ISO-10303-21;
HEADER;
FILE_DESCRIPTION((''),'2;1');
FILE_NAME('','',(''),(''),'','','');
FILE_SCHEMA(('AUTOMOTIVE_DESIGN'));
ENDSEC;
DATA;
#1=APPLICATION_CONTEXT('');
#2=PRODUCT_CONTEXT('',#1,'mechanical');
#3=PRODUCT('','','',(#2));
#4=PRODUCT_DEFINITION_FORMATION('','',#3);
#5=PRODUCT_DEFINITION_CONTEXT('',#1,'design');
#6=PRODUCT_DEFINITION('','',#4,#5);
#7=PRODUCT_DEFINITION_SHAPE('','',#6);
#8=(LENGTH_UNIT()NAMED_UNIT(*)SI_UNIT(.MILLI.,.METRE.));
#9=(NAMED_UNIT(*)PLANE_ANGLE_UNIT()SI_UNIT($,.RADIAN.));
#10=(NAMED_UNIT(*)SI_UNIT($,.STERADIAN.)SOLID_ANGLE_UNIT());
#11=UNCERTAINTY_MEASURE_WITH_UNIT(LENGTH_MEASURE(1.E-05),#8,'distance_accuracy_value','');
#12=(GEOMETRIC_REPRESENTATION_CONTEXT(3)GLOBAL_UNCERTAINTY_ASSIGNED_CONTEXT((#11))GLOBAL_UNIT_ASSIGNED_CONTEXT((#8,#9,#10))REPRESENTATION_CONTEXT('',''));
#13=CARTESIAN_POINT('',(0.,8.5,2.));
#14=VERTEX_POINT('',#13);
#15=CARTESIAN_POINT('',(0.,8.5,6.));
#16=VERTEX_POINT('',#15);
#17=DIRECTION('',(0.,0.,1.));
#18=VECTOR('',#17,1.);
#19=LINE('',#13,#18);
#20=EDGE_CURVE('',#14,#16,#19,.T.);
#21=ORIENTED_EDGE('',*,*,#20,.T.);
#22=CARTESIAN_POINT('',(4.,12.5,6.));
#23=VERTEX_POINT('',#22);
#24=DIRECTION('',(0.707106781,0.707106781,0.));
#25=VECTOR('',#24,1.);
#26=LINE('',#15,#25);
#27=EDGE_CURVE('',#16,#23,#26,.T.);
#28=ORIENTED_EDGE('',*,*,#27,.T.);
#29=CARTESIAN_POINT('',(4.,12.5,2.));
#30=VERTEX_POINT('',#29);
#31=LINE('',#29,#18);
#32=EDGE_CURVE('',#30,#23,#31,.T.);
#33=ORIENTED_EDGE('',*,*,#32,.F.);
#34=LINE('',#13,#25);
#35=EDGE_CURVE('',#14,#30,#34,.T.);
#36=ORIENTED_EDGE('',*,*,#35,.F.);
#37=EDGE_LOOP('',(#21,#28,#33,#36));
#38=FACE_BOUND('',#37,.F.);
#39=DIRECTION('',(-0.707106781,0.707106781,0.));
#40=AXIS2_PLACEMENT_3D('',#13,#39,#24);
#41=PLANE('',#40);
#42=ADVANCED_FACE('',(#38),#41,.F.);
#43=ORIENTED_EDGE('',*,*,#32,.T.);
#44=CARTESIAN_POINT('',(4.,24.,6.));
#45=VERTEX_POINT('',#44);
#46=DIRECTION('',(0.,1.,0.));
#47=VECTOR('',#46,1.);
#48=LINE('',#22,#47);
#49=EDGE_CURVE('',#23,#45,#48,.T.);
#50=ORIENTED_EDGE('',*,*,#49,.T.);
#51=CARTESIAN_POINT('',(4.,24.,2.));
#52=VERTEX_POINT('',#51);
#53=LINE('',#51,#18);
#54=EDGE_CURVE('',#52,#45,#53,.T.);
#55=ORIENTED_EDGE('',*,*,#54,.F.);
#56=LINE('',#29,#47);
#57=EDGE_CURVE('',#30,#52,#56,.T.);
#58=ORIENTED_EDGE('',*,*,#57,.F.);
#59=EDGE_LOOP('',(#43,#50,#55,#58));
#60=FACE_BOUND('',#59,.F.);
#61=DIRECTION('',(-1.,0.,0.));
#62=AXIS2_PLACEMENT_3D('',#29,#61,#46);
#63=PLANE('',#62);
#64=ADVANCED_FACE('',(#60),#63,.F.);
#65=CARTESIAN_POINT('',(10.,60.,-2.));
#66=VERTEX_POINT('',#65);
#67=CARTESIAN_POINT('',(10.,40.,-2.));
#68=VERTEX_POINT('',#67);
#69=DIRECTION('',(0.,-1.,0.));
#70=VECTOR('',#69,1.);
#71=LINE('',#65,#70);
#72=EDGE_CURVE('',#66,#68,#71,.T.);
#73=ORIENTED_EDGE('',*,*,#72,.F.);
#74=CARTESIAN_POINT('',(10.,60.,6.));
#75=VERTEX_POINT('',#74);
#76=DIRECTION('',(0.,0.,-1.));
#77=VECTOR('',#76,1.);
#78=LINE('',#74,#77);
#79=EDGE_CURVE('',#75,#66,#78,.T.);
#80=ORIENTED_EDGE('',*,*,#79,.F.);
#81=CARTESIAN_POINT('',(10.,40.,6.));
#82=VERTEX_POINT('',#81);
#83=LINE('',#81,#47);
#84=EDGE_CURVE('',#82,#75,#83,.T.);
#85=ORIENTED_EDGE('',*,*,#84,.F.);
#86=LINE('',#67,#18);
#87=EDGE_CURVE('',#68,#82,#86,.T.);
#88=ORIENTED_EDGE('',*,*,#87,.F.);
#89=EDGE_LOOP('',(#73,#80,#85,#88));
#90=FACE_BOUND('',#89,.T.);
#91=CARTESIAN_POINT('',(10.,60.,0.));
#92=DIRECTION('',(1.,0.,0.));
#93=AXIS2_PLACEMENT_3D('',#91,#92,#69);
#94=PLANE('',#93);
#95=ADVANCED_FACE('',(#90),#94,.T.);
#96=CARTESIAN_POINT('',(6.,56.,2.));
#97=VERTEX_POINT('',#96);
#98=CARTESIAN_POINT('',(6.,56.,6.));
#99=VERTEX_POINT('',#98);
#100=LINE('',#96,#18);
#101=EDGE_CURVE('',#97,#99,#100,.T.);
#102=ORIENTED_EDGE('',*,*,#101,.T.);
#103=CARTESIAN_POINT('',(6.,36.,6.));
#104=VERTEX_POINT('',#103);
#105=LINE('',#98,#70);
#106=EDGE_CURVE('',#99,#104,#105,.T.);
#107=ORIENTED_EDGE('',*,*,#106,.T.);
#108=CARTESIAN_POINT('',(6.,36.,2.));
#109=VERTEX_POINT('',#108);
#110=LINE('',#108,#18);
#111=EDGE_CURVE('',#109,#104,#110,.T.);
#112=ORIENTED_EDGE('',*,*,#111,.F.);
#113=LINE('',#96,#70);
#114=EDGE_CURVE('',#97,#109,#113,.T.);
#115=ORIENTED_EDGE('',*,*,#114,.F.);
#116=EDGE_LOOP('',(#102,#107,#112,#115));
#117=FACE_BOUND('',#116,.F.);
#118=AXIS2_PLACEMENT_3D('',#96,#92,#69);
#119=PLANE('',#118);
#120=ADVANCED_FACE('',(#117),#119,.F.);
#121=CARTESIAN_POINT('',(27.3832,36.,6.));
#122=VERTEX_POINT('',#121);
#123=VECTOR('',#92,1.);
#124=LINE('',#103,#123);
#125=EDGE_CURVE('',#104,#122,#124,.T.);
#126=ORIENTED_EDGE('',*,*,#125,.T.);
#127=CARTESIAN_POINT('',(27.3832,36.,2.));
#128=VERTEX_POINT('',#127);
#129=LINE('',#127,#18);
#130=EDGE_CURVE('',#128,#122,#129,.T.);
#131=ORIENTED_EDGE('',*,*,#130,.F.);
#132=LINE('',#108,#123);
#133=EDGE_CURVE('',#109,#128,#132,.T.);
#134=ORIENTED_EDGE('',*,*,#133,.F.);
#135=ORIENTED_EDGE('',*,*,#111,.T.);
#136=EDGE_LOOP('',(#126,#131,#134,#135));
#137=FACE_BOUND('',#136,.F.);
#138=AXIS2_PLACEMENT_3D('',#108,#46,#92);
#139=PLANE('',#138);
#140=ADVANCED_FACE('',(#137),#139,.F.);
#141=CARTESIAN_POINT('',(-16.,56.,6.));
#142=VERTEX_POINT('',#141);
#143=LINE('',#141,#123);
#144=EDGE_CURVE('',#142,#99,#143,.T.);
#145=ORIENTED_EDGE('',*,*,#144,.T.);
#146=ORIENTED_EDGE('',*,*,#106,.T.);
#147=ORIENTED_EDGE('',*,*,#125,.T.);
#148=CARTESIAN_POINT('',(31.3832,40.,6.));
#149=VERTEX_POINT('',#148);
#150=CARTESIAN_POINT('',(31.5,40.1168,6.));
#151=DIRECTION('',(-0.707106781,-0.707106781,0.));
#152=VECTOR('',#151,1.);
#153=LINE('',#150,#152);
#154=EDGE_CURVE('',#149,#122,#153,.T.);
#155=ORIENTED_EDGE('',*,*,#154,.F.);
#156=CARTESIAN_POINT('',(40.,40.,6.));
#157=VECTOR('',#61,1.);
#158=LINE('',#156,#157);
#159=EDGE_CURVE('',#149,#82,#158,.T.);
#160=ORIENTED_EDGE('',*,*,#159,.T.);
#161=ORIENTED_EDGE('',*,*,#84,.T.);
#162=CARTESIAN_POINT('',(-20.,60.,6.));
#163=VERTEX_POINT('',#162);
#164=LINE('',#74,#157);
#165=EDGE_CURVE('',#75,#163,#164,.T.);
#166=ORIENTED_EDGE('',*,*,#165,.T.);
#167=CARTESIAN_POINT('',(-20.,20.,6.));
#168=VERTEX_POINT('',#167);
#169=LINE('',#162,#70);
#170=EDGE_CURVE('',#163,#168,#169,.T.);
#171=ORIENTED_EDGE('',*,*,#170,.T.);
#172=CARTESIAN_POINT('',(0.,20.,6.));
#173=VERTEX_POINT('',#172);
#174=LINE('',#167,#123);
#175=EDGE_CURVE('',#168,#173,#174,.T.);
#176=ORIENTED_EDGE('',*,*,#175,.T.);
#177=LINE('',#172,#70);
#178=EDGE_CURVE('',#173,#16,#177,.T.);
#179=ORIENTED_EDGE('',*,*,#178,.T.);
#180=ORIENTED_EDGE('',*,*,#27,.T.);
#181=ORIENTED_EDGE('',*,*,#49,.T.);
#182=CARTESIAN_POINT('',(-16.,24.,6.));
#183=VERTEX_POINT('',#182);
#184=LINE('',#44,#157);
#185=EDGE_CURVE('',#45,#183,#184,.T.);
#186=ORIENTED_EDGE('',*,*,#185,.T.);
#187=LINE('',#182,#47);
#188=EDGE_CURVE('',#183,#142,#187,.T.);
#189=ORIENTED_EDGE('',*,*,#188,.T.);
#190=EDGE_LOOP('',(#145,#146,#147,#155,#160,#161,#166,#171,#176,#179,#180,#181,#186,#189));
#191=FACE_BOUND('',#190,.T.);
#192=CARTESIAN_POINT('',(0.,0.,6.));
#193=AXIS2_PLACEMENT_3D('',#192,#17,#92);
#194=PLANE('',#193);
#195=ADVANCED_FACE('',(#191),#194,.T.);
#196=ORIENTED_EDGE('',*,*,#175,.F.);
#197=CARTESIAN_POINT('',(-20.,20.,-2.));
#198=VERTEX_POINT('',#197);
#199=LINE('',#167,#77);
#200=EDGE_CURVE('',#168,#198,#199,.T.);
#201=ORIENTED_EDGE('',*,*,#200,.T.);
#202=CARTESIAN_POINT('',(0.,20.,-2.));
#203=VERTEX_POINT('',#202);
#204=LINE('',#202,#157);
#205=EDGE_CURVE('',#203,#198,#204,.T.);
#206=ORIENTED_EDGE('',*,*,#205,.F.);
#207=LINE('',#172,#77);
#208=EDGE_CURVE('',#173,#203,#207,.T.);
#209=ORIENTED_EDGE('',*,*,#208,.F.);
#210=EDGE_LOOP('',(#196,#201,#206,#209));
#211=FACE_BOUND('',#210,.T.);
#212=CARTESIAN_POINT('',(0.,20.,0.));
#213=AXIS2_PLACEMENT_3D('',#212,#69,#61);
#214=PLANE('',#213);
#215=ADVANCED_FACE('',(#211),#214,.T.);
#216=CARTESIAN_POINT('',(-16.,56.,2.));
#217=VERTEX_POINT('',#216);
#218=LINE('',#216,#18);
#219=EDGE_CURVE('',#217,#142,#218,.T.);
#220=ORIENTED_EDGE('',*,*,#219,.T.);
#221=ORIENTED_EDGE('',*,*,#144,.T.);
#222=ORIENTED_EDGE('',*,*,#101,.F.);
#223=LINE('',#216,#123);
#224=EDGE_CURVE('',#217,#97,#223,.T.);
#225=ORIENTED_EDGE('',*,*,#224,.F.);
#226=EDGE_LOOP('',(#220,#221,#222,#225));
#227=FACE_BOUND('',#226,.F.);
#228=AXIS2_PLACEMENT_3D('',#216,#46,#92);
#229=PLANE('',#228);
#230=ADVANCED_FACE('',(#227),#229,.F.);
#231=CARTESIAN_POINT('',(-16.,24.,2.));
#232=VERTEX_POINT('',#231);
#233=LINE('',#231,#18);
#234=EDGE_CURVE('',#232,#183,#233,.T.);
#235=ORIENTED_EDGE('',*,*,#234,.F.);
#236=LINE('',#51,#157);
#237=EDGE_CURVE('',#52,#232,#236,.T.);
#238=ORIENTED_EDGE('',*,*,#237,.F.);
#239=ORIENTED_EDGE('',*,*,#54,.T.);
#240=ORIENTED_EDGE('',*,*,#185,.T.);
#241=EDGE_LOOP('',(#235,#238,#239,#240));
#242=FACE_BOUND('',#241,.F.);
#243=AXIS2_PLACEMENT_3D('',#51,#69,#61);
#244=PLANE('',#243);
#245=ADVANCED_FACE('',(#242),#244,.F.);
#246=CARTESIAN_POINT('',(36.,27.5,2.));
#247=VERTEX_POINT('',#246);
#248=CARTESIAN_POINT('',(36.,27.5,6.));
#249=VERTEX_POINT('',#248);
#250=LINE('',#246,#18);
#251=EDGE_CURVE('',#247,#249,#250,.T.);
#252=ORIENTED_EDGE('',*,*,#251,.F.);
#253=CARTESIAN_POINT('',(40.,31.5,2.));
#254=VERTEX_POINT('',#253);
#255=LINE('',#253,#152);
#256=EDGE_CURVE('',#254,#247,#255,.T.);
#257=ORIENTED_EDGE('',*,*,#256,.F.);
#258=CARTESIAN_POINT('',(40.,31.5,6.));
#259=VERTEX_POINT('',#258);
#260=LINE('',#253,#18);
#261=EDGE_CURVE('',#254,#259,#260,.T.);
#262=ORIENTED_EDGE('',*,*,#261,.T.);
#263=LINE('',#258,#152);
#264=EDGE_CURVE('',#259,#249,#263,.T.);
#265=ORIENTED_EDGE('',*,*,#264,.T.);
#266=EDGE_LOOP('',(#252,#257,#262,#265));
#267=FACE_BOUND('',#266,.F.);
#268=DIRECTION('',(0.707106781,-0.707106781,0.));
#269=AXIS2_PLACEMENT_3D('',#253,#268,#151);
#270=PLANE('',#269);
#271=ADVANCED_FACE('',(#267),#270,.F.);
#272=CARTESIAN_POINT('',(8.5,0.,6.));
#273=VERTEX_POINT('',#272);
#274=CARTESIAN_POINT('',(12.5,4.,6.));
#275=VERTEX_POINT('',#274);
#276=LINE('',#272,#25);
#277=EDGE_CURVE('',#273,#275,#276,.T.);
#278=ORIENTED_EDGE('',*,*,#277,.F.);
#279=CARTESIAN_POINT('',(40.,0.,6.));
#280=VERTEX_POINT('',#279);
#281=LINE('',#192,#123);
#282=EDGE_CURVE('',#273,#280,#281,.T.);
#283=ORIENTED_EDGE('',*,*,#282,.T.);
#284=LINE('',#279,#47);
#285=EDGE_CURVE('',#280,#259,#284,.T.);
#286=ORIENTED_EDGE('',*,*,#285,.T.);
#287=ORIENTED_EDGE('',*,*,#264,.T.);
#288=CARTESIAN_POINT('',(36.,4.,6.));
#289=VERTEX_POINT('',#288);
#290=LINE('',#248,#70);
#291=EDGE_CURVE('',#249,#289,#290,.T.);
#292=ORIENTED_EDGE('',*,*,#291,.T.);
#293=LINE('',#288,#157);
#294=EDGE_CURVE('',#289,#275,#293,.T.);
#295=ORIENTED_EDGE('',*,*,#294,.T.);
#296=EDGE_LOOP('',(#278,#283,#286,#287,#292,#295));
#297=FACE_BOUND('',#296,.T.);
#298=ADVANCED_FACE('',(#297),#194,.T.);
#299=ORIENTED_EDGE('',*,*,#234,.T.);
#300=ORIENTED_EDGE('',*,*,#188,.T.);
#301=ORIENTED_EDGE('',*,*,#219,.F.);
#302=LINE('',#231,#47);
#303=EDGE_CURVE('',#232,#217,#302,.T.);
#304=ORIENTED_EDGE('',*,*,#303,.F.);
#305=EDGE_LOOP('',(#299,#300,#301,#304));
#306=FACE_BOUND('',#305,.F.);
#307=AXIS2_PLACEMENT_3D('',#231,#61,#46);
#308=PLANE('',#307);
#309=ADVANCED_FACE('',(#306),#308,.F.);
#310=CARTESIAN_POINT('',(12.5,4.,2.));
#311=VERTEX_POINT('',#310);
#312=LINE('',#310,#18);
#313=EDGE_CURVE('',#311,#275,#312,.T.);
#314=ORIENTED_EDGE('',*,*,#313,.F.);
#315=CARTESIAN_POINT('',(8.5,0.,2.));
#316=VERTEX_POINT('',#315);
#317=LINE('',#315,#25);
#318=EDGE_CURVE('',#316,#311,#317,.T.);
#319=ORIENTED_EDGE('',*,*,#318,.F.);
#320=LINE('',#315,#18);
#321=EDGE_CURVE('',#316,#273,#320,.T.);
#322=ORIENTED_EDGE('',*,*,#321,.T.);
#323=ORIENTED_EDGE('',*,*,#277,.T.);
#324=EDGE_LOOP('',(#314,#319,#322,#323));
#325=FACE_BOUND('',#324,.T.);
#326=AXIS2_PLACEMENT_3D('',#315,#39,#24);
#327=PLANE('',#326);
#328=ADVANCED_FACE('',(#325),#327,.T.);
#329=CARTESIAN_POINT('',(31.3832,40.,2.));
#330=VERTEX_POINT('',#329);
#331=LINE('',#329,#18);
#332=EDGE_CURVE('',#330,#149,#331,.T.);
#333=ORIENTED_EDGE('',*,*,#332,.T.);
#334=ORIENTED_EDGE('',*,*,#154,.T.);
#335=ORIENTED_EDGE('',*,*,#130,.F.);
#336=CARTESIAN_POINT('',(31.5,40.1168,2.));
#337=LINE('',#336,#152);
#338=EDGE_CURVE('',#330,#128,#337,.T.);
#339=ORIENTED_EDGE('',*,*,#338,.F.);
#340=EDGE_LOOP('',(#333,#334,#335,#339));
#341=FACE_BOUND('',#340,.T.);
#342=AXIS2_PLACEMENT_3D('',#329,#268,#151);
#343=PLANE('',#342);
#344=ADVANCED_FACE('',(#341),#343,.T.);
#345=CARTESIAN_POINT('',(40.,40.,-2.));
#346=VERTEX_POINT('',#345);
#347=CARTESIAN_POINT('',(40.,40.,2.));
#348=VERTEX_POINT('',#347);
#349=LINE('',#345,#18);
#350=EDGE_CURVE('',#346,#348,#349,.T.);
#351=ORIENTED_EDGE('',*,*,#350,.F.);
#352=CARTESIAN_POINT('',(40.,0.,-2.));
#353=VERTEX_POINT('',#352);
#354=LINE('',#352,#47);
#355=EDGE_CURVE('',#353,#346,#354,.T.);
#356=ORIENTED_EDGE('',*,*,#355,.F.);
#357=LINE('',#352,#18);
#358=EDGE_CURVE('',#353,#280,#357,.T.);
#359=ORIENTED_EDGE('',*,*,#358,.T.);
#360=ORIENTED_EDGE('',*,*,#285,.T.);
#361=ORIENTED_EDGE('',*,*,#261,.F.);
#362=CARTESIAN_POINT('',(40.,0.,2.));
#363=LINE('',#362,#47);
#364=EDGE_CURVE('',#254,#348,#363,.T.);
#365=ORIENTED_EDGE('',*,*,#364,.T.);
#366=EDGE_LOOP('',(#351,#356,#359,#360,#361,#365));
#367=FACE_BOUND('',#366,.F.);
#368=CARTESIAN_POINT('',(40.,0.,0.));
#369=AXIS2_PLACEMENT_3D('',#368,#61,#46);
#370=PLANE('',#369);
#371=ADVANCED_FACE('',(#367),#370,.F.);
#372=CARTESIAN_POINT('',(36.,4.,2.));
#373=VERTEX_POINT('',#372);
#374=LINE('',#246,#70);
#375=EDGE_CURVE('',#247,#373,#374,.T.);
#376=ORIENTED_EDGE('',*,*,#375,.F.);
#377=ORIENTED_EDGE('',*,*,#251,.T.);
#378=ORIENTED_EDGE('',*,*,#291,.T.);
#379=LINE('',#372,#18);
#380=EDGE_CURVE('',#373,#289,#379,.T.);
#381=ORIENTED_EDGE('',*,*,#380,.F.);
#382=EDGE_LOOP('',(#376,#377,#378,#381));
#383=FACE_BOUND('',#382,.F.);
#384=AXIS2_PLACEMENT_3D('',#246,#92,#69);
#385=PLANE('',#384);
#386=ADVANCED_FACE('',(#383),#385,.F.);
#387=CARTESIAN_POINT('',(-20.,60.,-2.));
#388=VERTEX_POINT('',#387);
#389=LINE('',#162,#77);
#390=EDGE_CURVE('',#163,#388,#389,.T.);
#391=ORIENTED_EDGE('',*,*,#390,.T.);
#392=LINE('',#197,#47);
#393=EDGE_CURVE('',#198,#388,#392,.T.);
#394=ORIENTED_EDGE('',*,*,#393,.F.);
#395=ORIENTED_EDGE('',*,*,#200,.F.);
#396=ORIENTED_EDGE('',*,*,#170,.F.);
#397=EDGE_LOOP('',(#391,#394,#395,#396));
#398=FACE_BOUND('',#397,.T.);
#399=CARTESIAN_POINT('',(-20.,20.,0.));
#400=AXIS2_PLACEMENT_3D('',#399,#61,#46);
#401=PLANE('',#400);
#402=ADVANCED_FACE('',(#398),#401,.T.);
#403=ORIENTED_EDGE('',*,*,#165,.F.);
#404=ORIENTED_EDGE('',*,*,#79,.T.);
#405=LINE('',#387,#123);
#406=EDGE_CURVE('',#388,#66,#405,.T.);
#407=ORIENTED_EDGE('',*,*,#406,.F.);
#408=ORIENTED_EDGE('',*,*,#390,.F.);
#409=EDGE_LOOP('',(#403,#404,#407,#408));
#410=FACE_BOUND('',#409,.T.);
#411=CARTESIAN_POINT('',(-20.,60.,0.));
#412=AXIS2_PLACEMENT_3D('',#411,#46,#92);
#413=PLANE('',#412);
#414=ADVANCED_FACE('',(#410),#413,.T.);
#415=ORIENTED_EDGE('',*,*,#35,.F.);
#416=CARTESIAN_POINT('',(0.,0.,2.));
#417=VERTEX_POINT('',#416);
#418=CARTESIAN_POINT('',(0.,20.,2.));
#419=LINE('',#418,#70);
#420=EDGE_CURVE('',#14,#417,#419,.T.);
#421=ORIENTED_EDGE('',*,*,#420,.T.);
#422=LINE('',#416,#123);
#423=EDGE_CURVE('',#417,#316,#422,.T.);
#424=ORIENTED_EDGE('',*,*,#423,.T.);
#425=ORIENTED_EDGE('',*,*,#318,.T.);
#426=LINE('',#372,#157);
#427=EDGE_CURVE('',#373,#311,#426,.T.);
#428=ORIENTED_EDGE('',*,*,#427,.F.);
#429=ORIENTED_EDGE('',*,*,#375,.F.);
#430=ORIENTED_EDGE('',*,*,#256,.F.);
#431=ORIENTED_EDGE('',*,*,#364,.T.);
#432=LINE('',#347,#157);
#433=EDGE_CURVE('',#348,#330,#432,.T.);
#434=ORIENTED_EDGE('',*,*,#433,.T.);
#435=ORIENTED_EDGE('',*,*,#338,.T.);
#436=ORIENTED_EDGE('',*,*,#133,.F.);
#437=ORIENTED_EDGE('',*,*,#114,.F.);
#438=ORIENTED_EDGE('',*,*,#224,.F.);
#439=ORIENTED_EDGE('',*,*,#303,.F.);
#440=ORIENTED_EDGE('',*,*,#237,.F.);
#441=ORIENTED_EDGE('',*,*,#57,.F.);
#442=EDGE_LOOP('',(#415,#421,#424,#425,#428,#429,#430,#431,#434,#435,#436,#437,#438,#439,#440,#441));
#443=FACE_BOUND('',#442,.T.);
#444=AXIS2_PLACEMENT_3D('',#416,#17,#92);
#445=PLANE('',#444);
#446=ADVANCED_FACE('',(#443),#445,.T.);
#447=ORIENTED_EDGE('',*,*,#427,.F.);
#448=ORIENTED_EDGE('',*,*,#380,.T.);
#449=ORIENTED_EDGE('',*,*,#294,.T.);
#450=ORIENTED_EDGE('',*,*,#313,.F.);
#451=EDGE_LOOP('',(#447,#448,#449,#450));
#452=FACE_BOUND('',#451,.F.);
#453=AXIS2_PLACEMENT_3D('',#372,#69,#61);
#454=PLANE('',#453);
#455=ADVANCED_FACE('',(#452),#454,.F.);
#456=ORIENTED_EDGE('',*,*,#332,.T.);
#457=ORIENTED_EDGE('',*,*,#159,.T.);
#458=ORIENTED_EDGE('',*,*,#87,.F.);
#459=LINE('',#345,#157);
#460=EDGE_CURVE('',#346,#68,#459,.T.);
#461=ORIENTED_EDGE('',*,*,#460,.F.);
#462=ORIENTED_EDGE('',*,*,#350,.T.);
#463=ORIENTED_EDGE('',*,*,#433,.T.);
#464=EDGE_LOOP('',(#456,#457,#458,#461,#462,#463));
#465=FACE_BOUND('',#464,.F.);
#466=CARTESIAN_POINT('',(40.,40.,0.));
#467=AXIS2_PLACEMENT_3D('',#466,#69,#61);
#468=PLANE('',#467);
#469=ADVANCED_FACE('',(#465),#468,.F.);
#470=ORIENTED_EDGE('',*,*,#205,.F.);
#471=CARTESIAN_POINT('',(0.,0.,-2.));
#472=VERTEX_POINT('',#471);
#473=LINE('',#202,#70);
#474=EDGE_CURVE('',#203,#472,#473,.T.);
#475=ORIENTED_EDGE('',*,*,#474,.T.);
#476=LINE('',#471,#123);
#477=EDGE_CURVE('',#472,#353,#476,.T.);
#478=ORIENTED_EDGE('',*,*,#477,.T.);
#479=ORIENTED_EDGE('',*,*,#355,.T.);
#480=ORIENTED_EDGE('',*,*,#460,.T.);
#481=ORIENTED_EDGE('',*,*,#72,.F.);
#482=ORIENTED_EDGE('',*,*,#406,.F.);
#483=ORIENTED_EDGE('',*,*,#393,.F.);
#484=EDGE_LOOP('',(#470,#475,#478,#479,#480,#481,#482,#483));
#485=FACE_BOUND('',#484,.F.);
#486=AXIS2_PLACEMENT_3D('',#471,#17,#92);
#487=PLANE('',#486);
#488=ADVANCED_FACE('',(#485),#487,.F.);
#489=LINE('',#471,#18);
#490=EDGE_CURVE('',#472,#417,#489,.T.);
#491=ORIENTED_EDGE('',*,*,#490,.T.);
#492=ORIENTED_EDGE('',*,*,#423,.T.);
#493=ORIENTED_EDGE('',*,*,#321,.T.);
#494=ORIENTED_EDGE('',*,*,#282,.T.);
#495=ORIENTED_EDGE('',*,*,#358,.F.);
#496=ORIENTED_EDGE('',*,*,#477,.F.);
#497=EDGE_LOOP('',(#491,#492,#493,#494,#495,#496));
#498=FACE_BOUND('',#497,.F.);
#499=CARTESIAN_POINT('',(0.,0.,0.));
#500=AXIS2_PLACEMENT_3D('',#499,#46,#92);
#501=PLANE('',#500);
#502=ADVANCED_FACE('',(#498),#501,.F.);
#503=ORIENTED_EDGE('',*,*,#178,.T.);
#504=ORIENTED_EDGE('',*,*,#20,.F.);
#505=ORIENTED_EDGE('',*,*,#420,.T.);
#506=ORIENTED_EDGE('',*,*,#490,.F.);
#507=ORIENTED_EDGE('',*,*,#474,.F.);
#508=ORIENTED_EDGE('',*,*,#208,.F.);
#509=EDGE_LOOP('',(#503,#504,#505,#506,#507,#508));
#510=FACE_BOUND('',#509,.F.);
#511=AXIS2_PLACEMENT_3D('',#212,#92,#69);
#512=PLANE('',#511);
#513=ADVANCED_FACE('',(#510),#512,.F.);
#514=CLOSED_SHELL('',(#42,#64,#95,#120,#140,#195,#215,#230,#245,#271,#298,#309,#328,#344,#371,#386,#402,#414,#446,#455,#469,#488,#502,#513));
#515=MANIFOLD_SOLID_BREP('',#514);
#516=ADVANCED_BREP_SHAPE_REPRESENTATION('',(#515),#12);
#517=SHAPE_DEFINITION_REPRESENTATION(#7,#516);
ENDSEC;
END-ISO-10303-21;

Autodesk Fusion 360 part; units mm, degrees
sketch "Sketch1" plane through (0, 0, 0) normal (0, 0, 1) x (1, 0, 0)
  line L0 (0, 0) -> (40, 0)
  line L1 (40, 0) -> (40, 40)
  line L2 (40, 40) -> (10, 40)
  line L3 (0, 20) -> (0, 0)
  line L4 (-20, 60) -> (10, 60)
  line L5 (10, 60) -> (10, 40)
  line L6 (0, 20) -> (-20, 20)
  line L7 (-20, 20) -> (-20, 60)
  dimension "d1" = 40
  dimension "d3" = 30
  dimension "d4" = 40
  dimension "d5" = 30
  dimension "d6" = 20
extrude "Extrude1" add sketch "Sketch1" along normal mid plane 4
sketch "Sketch2" plane through (0, 0, 2) normal (0, 0, 1) x (1, 0, 0)
  line L0 (0, 20) -> (0, 0)
  line L1 (0, 0) -> (40, 0)
  line L2 (40, 0) -> (40, 40)
  line L3 (40, 40) -> (10, 40)
  line L4 (10, 40) -> (10, 60)
  line L5 (10, 60) -> (-20, 60)
  line L6 (-20, 60) -> (-20, 20)
  line L7 (-20, 20) -> (0, 20)
  line L8 (-16, 56) -> (6, 56)
  line L9 (6, 56) -> (6, 36)
  line L10 (4, 24) -> (-16, 24)
  line L11 (-16, 24) -> (-16, 56)
  line L12 (36, 4) -> (12.5, 4)
  line L13 (31.5, 40.1168) -> (27.3832, 36)
  line L14 (40, 31.5) -> (36, 27.5)
  line L15 (8.5, 0) -> (12.5, 4)
  line L16 (0, 8.5) -> (4, 12.5)
  line L17 (4, 12.5) -> (4, 24)
  line L18 (6, 36) -> (27.3832, 36)
  line L19 (31.5, 40.1168) -> (31.5, 40)
  line L20 (36, 27.5) -> (36, 4)
  dimension "d9" = 22
  dimension "d10" = 32
  dimension "d11" = 4
  dimension "d12" = 4
  dimension "d16" = 4
  dimension "d18" = 8.5
  dimension "d25" = 32
  dimension "d26" = 4
  dimension "d27" = 8.5
  dimension "d28" = 32
  dimension "d29" = 13.2853
  dimension "d30" = 5.6569
  dimension "d31" = 4.1168
  dimension "d32" = 12.0208
  dimension "d33" = 0.0826
  dimension "d34" = 5.6569
  dimension "d35" = 6.0104
  dimension "d36" = 6.0104
  dimension "d37" = 12.0208
  dimension "d38" = 135
extrude "Extrude2" add sketch "Sketch2" along normal blind 4 contours L0 L3 L4 L5 L6 L7 L8 L9 L10 L11 L13 L16 L17 L18 | L1 L2 L12 L14 L15 L20
